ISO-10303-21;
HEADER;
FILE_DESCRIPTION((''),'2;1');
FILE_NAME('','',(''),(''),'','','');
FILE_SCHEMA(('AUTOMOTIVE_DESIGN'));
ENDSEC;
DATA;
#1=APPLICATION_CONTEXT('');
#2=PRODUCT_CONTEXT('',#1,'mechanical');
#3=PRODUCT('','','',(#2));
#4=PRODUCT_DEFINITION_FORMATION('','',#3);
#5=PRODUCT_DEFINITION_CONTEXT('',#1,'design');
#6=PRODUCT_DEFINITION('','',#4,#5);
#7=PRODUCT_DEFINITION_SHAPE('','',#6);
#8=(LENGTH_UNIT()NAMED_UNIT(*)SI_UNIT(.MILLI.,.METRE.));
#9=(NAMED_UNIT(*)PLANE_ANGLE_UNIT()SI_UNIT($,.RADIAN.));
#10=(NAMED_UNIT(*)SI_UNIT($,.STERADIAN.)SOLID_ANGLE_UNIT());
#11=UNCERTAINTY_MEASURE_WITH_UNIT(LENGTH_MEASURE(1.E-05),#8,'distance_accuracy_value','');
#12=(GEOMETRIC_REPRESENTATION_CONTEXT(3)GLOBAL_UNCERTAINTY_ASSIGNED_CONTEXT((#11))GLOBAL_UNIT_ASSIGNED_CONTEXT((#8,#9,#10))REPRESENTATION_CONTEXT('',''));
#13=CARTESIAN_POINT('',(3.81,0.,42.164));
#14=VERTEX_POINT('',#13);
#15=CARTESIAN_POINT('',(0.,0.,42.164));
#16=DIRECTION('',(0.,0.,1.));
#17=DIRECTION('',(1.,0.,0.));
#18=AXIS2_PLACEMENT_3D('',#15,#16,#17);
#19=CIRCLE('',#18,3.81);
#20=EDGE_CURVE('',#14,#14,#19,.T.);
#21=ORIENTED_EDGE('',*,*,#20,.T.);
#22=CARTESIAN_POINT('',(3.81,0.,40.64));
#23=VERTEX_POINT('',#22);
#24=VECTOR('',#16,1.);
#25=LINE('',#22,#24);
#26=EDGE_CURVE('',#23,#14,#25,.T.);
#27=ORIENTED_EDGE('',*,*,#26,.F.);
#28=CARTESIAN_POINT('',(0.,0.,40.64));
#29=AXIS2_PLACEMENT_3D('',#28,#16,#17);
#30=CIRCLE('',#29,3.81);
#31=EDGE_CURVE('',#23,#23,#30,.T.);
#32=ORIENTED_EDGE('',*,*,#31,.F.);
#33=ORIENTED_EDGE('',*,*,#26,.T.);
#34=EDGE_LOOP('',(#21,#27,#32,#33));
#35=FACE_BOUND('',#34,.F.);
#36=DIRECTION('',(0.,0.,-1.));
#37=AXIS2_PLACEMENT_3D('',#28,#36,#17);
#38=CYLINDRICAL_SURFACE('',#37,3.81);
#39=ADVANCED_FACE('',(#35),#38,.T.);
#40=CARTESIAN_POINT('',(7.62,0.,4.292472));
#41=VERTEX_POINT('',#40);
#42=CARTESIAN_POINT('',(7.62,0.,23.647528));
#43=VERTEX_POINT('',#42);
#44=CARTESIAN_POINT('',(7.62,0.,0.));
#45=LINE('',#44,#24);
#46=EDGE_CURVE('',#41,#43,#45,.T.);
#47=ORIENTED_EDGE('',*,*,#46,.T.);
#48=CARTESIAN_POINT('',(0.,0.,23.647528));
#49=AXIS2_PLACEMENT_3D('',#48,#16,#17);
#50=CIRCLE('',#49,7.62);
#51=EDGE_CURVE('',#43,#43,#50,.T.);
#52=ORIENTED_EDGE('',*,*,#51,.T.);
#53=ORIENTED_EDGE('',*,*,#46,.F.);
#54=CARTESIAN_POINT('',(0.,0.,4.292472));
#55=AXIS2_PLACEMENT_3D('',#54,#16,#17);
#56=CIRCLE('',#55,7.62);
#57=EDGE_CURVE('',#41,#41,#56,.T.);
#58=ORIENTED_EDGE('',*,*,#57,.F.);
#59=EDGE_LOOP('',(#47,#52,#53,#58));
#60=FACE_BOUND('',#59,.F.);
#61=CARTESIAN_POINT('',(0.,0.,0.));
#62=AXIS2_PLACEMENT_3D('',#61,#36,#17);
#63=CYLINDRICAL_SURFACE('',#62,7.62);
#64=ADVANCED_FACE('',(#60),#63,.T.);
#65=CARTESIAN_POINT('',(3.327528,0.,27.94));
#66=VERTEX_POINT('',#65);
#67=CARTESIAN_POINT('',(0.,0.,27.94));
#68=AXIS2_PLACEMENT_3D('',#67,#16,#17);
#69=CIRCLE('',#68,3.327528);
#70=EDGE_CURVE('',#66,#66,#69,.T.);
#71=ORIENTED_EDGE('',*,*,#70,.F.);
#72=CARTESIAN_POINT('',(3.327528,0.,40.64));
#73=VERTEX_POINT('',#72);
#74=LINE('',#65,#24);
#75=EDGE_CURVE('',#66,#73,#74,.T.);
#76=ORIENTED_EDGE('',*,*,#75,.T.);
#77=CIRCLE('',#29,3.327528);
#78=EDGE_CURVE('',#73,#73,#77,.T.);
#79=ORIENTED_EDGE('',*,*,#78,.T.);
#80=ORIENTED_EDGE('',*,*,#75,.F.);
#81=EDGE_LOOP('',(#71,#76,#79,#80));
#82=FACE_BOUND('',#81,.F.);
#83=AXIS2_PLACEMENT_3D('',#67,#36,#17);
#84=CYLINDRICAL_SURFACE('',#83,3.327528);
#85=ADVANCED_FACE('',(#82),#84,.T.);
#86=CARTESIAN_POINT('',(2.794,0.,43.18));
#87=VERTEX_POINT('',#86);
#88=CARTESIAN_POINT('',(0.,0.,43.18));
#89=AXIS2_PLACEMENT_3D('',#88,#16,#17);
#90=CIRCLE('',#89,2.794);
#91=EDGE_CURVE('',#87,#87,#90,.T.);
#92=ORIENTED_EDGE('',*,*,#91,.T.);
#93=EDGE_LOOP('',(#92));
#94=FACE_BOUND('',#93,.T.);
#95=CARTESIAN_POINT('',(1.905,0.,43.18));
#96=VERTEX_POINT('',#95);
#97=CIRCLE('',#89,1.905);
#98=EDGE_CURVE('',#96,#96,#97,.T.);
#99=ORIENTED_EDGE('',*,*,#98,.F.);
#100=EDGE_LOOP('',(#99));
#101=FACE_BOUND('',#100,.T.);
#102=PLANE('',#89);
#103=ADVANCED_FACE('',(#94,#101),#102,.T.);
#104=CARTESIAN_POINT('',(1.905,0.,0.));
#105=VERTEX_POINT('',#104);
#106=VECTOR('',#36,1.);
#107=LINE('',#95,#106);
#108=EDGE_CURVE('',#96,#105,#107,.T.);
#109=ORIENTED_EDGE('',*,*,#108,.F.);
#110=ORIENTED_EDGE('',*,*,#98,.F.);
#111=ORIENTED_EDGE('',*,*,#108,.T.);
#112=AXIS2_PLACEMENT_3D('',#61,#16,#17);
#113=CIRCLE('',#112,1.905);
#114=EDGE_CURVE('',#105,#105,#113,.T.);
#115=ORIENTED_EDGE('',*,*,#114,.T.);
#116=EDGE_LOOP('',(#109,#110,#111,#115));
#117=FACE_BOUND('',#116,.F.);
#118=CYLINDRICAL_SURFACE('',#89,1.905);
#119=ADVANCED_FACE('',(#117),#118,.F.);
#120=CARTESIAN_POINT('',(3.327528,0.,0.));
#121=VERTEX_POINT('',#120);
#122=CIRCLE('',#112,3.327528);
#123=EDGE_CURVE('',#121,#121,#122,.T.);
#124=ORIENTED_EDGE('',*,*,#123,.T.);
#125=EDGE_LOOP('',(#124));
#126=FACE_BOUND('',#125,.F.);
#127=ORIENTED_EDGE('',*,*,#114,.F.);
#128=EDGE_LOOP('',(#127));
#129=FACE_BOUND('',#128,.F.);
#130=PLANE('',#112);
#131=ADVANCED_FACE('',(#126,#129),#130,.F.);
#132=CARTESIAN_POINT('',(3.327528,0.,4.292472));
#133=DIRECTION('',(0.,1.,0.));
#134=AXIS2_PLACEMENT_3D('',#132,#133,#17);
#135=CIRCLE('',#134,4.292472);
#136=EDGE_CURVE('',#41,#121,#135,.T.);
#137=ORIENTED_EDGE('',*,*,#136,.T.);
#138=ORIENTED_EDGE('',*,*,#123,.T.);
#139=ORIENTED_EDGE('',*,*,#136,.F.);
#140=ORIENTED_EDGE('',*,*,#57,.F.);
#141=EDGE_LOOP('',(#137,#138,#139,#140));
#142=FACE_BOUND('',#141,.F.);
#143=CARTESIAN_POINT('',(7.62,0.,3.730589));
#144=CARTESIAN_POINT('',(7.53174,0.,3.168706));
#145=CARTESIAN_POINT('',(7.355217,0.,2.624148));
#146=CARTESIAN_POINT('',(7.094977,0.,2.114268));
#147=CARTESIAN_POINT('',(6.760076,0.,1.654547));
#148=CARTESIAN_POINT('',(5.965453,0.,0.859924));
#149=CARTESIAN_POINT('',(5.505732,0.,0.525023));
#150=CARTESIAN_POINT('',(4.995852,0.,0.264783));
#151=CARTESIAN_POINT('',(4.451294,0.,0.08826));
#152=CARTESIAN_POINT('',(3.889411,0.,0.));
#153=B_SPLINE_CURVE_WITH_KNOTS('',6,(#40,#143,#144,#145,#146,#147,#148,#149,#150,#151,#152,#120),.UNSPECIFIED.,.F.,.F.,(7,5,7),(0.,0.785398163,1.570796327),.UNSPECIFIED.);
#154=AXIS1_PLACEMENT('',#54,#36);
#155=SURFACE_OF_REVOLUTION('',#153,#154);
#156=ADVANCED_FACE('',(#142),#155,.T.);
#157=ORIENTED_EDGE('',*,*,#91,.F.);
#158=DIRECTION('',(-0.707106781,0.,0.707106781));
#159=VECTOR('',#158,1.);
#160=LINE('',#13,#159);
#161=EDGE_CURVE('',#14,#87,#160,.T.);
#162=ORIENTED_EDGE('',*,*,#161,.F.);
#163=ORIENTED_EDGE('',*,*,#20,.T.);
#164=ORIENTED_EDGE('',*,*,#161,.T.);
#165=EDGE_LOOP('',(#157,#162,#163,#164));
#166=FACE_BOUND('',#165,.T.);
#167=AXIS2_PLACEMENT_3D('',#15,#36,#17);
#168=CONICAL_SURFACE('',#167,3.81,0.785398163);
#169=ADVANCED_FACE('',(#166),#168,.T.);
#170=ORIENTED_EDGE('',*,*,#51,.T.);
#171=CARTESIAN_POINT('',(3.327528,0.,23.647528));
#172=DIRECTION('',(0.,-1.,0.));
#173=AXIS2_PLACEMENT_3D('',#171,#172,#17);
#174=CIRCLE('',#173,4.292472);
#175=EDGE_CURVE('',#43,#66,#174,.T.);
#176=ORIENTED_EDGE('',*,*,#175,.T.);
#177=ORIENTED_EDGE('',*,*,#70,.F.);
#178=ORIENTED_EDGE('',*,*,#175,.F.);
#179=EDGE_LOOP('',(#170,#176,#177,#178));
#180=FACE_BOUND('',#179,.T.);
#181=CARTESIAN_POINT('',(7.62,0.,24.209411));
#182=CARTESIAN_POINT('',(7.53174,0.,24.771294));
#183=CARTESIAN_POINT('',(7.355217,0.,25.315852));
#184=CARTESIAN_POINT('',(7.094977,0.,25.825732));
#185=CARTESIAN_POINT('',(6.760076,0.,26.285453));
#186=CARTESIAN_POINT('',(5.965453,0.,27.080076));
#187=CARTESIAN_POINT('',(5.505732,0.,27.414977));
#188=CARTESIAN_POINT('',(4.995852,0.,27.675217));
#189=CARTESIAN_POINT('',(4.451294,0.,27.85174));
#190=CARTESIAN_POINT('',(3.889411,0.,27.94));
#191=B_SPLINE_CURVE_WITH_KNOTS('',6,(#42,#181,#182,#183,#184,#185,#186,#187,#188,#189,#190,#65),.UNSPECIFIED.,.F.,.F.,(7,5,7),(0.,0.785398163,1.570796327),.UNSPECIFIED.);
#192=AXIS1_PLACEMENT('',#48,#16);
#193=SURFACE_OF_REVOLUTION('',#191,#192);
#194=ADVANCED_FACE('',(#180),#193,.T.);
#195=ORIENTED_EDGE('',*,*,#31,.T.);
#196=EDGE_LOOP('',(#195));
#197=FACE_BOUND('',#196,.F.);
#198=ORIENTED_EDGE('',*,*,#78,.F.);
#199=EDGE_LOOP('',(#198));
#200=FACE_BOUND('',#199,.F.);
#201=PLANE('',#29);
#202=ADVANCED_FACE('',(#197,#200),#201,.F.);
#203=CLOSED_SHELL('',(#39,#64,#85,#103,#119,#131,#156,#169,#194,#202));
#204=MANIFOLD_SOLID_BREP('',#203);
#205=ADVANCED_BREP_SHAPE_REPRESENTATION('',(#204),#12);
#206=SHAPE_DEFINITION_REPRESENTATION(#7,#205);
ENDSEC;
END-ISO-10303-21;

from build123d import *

# Parameters (mm, degrees)
F0_R      = 7.62
F1_DEPTH  = 27.94
F2_R      = 4.292472
F3_R      = 4.292472
F1_FACE_R = 3.327528
F4_DEPTH  = 12.7
F5_R      = 3.81
F6_DEPTH  = 2.54
F7_SIZE   = 1.016
F8_R      = 1.905
F9_DEPTH  = 43.18


with BuildPart() as f1:
    # F0 (on Top) → F1 (new body)
    with BuildSketch(Plane.XY):
        Circle(F0_R)
    extrude(amount=F1_DEPTH)

    # F2
    f2_edges = [f1.edges().sort_by_distance(p)[0] for p in [
        (-7.62, 0, 0),
    ]]
    fillet(f2_edges, radius=F2_R)

    # F3
    f3_edges = [f1.edges().sort_by_distance(p)[0] for p in [
        (-7.62, 0, 27.94),
    ]]
    fillet(f3_edges, radius=F3_R)

    # F1_face (on face) → F4 (join)
    with BuildSketch(Plane.XY.offset(27.94)):
        Circle(F1_FACE_R)
    extrude(amount=F4_DEPTH)

    # F5 (on face) → F6 (join)
    with BuildSketch(Plane.XY.offset(40.64)):
        Circle(F5_R)
    extrude(amount=F6_DEPTH)

    # F7
    f7_edges = [f1.edges().sort_by_distance(p)[0] for p in [
        (-3.81, 0, 43.18),
    ]]
    chamfer(f7_edges, length=F7_SIZE)

    # F8 (on face) → F9 (cut)
    with BuildSketch(Plane.XY.offset(43.18)):
        Circle(F8_R)
    extrude(amount=-F9_DEPTH, mode=Mode.SUBTRACT)


solid = f1.part
